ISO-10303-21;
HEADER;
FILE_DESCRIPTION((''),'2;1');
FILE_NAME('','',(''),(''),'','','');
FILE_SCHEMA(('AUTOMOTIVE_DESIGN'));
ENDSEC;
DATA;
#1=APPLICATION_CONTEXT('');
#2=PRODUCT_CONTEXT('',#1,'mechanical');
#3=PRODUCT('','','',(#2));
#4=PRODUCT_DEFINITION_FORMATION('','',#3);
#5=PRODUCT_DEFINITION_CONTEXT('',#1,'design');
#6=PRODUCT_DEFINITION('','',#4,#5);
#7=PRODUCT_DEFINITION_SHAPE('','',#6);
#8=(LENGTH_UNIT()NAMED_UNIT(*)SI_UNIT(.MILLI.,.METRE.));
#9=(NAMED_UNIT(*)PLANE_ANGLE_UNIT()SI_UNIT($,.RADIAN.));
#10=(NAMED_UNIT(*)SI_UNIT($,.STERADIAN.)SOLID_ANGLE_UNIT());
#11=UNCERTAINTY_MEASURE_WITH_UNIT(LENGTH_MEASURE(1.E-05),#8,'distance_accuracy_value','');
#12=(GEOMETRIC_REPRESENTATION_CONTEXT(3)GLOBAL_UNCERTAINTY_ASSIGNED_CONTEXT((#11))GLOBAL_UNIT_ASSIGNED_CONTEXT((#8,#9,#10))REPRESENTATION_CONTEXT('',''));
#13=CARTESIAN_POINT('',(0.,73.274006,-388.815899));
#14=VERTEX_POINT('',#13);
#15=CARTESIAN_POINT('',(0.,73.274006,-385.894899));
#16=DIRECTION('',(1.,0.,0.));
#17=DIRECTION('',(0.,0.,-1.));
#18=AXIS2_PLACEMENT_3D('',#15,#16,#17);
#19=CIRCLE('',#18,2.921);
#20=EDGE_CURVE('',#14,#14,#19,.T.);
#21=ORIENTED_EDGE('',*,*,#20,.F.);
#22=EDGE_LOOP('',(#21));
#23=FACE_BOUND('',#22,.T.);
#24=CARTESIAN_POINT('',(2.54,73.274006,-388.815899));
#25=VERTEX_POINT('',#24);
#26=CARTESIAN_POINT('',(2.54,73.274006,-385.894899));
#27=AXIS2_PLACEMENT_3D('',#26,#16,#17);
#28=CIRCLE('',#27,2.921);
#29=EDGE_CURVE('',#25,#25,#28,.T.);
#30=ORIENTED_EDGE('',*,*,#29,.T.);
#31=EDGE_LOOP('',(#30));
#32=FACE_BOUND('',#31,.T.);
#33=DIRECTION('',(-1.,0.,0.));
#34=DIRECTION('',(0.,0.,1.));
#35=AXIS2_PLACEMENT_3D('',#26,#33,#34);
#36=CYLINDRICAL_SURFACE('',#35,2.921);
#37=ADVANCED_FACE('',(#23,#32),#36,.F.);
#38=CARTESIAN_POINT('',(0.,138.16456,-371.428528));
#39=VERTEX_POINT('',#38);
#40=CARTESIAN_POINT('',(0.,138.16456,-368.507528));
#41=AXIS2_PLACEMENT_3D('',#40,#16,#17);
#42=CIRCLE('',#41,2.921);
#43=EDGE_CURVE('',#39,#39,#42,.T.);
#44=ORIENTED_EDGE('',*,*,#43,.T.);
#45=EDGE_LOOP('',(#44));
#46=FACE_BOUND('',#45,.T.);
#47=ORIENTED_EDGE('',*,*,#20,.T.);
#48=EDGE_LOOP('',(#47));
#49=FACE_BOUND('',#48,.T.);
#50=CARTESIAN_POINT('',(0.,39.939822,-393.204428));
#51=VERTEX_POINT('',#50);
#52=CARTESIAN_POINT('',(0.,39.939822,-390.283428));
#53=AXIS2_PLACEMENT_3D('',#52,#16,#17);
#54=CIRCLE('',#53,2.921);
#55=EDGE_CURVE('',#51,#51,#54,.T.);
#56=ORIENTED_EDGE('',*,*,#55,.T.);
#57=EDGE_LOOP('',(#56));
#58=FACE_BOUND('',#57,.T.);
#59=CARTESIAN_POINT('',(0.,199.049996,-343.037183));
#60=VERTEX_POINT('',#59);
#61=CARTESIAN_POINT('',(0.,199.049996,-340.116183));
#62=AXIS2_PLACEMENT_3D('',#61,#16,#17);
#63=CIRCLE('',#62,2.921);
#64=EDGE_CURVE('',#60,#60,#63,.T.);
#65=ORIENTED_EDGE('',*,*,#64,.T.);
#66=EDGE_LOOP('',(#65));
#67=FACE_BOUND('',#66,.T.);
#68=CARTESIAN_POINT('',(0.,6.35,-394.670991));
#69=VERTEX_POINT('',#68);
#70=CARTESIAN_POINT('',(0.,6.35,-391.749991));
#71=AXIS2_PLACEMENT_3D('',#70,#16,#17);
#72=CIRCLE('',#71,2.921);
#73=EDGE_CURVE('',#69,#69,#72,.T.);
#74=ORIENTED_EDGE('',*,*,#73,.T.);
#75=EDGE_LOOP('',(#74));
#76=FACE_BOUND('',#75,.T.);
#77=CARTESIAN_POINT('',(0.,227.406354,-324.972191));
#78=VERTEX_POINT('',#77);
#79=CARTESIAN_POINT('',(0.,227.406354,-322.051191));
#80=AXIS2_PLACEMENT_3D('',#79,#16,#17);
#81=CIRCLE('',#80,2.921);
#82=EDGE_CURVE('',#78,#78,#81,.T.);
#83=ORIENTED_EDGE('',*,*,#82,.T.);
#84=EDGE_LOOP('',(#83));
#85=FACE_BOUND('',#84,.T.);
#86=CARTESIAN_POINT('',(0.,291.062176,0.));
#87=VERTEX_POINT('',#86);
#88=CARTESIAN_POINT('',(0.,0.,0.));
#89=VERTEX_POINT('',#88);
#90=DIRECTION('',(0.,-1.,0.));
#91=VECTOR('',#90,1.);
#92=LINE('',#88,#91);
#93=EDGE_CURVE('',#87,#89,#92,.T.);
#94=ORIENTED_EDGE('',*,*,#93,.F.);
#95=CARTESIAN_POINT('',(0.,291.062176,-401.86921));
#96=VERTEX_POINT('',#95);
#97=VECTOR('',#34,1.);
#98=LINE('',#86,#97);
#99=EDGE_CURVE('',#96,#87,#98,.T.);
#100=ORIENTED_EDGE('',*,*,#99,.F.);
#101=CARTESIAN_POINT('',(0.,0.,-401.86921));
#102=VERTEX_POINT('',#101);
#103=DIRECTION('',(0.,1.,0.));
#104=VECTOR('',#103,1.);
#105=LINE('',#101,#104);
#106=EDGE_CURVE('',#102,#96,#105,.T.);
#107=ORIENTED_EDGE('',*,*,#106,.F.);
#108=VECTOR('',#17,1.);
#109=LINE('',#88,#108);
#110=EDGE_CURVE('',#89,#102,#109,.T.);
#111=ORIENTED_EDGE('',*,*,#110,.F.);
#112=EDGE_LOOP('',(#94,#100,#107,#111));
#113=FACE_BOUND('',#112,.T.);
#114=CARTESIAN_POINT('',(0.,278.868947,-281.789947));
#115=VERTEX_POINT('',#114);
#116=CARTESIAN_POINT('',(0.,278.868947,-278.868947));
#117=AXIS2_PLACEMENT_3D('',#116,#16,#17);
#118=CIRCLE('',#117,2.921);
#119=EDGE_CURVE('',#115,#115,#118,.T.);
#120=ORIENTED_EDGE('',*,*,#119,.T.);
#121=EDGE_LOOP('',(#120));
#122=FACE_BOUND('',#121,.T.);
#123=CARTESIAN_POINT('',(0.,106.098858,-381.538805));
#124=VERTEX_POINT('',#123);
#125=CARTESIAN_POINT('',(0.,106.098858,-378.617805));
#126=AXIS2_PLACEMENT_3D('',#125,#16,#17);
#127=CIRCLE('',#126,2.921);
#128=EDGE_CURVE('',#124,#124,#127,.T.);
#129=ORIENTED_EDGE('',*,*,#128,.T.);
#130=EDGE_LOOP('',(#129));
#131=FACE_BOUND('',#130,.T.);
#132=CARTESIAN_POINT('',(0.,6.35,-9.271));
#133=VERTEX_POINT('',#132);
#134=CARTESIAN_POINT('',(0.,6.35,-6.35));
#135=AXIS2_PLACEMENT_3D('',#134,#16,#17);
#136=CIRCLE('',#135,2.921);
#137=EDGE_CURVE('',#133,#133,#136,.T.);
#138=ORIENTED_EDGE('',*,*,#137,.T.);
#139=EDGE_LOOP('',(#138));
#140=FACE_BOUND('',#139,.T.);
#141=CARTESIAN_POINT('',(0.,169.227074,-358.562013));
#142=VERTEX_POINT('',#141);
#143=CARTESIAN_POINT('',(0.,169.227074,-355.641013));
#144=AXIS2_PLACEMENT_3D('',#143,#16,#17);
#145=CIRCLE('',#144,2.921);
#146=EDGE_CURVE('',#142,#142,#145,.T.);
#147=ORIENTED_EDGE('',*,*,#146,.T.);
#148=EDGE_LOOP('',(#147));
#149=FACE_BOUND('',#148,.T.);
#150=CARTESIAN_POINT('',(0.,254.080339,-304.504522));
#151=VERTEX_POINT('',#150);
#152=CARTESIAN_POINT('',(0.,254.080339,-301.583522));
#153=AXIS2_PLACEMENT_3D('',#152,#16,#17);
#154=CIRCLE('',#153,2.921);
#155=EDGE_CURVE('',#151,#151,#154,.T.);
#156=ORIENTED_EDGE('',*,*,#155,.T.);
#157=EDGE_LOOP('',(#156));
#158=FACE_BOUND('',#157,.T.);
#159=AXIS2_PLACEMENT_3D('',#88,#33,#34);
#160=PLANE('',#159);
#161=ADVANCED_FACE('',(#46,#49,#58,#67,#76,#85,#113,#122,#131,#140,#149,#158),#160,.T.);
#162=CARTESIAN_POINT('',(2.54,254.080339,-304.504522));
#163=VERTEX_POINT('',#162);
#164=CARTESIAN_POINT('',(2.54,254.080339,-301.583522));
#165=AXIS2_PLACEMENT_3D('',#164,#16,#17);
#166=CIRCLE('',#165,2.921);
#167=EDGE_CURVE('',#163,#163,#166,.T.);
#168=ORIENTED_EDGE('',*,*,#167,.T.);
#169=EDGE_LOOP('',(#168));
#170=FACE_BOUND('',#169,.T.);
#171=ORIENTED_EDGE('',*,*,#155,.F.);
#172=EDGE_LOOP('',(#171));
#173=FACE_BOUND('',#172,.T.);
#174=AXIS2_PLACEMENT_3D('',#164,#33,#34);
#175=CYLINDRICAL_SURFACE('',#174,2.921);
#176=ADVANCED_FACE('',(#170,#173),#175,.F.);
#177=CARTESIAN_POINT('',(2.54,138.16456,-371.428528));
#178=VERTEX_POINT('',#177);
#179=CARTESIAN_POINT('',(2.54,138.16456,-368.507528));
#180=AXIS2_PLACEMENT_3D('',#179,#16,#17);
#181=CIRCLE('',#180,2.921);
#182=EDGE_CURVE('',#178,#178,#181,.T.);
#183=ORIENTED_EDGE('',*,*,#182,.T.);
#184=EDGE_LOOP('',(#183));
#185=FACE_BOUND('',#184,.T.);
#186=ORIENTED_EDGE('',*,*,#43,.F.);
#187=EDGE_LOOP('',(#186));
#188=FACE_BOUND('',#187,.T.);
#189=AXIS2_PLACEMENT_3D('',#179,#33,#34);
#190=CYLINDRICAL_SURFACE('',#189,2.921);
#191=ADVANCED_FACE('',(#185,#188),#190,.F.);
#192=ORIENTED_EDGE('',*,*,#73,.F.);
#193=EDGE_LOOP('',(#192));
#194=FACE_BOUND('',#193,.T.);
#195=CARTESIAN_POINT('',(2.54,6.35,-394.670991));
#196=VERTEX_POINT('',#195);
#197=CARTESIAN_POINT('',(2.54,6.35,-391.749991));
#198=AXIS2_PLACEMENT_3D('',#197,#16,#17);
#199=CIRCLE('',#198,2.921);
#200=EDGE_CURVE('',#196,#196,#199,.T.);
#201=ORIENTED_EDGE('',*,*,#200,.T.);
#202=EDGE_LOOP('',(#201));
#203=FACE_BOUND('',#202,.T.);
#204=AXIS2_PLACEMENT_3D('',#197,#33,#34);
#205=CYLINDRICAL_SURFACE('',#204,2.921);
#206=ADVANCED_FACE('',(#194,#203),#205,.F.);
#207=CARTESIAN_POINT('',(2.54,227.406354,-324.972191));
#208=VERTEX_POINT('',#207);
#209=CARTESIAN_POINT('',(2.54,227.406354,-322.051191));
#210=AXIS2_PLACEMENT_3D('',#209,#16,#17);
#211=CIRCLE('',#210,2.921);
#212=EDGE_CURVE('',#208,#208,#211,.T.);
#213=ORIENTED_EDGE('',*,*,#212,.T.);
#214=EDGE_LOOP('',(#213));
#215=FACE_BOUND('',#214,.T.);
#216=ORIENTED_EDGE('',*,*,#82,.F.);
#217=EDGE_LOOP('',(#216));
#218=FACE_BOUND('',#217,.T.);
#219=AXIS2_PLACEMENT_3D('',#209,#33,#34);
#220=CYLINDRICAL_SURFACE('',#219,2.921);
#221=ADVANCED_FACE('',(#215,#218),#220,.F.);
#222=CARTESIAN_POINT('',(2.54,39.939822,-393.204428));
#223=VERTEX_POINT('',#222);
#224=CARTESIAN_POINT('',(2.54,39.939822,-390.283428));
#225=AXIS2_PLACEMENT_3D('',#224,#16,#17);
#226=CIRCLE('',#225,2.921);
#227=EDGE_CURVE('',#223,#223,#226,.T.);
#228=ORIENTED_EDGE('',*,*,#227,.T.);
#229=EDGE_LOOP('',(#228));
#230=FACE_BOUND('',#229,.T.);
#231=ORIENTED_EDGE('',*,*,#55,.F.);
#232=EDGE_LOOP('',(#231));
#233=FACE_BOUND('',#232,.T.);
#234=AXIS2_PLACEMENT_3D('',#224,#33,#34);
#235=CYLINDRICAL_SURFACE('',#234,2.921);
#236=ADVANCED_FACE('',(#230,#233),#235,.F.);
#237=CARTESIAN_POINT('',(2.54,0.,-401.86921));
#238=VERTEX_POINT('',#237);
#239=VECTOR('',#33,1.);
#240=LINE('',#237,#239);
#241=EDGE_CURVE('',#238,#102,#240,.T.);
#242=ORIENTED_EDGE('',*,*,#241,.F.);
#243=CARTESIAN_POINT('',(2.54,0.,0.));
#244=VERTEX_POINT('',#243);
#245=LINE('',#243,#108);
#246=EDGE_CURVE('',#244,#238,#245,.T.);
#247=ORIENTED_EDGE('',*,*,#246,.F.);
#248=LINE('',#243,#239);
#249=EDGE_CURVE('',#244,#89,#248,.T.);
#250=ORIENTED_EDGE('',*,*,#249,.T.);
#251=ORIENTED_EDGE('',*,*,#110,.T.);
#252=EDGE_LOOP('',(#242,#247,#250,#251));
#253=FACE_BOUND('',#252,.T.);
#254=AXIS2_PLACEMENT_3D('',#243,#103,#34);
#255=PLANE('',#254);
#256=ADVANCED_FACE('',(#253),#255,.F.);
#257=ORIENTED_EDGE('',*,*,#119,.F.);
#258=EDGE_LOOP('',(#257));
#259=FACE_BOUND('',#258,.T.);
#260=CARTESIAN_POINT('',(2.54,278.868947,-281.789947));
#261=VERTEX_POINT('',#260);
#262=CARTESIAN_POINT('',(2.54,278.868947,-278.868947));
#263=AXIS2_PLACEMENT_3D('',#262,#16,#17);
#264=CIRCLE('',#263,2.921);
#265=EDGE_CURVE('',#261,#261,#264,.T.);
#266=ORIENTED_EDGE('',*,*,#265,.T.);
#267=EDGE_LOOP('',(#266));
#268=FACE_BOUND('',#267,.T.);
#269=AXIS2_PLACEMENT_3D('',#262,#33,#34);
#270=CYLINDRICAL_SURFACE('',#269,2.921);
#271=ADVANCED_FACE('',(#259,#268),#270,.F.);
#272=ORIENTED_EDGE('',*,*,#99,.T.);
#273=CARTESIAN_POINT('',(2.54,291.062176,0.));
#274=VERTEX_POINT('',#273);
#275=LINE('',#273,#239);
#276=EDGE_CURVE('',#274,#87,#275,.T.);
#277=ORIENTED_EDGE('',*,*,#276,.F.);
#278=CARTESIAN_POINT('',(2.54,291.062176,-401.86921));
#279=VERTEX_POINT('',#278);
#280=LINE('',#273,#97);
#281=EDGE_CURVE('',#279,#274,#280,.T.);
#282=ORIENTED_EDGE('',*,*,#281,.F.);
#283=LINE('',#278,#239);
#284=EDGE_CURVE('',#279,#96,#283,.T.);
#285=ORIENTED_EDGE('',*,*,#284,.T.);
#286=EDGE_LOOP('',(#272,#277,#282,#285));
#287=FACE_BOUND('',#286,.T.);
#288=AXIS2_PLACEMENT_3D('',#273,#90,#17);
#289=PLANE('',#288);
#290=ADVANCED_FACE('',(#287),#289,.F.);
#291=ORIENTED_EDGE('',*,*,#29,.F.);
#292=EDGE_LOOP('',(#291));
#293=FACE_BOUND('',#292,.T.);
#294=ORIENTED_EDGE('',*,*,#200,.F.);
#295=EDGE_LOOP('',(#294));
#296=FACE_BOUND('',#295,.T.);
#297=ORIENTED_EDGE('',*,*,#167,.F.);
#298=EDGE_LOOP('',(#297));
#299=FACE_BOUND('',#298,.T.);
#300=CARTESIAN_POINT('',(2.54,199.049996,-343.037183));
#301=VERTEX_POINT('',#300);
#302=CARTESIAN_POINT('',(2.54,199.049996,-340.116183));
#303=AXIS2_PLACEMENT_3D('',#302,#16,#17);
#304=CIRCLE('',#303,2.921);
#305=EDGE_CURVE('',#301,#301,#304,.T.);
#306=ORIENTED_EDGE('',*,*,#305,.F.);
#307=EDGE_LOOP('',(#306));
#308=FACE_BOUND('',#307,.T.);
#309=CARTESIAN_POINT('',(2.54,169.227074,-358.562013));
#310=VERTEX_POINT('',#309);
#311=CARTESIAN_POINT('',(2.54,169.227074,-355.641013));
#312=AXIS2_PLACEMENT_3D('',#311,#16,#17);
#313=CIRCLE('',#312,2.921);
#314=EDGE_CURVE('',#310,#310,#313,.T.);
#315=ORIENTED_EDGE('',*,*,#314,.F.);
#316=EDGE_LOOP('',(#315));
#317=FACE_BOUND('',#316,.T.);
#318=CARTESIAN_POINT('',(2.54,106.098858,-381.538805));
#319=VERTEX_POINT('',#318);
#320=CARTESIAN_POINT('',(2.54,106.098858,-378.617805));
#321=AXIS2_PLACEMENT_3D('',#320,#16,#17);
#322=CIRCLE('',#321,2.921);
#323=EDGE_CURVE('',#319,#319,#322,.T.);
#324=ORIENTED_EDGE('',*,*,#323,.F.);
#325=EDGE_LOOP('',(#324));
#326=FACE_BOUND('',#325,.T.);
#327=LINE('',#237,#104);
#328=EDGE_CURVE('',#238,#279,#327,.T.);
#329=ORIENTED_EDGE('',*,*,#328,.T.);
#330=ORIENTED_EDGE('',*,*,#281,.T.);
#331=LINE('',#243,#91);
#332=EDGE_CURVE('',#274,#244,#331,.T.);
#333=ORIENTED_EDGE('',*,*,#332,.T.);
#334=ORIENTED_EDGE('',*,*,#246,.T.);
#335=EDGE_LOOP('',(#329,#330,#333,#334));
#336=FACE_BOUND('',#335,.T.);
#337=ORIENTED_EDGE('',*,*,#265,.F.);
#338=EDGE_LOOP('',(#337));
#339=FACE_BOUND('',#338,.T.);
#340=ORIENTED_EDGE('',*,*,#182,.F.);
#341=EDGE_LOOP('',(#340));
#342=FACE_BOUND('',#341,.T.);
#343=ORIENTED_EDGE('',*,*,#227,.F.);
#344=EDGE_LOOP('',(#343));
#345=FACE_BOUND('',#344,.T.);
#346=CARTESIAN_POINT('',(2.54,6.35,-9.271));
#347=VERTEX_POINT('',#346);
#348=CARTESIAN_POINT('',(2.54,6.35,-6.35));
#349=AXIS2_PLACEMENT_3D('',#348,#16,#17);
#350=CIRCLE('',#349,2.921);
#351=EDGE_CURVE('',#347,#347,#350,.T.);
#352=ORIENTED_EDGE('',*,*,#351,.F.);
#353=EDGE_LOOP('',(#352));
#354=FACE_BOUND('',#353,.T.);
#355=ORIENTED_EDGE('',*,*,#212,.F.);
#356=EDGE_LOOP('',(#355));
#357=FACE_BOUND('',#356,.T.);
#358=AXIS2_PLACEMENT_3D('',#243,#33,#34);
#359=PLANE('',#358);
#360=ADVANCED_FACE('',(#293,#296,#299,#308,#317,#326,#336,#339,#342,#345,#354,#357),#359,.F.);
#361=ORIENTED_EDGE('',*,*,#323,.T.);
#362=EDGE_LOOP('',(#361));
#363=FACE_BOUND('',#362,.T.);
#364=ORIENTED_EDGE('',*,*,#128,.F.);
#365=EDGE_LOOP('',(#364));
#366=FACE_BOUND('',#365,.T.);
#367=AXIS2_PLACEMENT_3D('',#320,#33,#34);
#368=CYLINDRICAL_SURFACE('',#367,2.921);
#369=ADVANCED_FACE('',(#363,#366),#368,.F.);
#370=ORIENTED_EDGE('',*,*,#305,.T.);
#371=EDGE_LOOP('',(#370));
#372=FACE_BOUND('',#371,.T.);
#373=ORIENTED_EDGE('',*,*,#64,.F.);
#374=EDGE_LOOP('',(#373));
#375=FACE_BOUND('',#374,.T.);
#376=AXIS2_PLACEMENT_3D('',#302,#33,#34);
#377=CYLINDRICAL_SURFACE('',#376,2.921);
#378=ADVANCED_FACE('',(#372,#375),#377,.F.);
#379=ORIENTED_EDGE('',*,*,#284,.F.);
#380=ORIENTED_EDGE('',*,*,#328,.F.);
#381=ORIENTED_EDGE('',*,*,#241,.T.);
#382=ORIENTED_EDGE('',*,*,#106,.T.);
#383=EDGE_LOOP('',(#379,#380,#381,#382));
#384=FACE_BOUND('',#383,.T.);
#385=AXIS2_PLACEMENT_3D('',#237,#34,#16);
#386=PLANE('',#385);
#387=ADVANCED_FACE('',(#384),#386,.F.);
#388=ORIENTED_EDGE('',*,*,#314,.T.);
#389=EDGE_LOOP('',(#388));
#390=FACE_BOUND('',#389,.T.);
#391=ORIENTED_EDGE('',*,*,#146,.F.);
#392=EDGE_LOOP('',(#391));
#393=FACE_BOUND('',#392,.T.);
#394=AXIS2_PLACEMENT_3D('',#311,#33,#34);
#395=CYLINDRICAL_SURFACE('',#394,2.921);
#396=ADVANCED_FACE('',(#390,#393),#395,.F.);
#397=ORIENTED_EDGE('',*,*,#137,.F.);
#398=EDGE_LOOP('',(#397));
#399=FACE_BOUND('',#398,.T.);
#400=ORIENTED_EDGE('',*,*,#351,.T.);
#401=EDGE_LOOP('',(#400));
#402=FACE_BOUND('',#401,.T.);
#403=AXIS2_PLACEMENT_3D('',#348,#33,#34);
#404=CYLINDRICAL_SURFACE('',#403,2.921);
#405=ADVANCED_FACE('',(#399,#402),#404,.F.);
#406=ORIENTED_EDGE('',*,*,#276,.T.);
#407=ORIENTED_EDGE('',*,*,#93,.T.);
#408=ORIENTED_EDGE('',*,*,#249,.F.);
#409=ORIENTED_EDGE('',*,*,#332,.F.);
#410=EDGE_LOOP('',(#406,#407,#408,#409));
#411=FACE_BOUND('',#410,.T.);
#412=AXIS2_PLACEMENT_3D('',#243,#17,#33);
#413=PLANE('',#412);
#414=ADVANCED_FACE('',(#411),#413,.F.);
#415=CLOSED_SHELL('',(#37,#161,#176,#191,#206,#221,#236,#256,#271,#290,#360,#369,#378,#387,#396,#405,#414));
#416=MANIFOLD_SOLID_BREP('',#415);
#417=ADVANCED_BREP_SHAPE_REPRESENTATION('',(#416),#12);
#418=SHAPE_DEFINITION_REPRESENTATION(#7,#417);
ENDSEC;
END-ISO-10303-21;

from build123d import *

# Parameters (mm, degrees)
SKETCH1_W           = 401.869209935
SKETCH1_H           = 291.062175581
SKETCH1_R           = 2.921
BOSS_EXTRUDE1_DEPTH = 2.54


with BuildPart() as part:
    # Sketch1 → Boss-Extrude1 (new body)
    with BuildSketch(Plane(origin=(0, 0, 0), x_dir=(0, 0, -1), z_dir=(1, 0, 0))):
        with Locations((200.934604968, 145.531087791)):
            Rectangle(SKETCH1_W, SKETCH1_H)
        with Locations((6.35, 6.35)):
            Circle(SKETCH1_R, mode=Mode.SUBTRACT)
        with Locations((391.7499912, 6.35)):
            Circle(SKETCH1_R, mode=Mode.SUBTRACT)
        with Locations((390.283427878, 39.939822488)):
            Circle(SKETCH1_R, mode=Mode.SUBTRACT)
        with Locations((385.894899345, 73.274006145)):
            Circle(SKETCH1_R, mode=Mode.SUBTRACT)
        with Locations((378.617804952, 106.098857705)):
            Circle(SKETCH1_R, mode=Mode.SUBTRACT)
        with Locations((368.507527782, 138.164560228)):
            Circle(SKETCH1_R, mode=Mode.SUBTRACT)
        with Locations((355.641013148, 169.227074356)):
            Circle(SKETCH1_R, mode=Mode.SUBTRACT)
        with Locations((340.116182997, 199.0499956)):
            Circle(SKETCH1_R, mode=Mode.SUBTRACT)
        with Locations((322.05119066, 227.406353522)):
            Circle(SKETCH1_R, mode=Mode.SUBTRACT)
        with Locations((301.583521637, 254.080339117)):
            Circle(SKETCH1_R, mode=Mode.SUBTRACT)
        with Locations((278.868947247, 278.868947247)):
            Circle(SKETCH1_R, mode=Mode.SUBTRACT)
    extrude(amount=BOSS_EXTRUDE1_DEPTH)


solid = part.part
